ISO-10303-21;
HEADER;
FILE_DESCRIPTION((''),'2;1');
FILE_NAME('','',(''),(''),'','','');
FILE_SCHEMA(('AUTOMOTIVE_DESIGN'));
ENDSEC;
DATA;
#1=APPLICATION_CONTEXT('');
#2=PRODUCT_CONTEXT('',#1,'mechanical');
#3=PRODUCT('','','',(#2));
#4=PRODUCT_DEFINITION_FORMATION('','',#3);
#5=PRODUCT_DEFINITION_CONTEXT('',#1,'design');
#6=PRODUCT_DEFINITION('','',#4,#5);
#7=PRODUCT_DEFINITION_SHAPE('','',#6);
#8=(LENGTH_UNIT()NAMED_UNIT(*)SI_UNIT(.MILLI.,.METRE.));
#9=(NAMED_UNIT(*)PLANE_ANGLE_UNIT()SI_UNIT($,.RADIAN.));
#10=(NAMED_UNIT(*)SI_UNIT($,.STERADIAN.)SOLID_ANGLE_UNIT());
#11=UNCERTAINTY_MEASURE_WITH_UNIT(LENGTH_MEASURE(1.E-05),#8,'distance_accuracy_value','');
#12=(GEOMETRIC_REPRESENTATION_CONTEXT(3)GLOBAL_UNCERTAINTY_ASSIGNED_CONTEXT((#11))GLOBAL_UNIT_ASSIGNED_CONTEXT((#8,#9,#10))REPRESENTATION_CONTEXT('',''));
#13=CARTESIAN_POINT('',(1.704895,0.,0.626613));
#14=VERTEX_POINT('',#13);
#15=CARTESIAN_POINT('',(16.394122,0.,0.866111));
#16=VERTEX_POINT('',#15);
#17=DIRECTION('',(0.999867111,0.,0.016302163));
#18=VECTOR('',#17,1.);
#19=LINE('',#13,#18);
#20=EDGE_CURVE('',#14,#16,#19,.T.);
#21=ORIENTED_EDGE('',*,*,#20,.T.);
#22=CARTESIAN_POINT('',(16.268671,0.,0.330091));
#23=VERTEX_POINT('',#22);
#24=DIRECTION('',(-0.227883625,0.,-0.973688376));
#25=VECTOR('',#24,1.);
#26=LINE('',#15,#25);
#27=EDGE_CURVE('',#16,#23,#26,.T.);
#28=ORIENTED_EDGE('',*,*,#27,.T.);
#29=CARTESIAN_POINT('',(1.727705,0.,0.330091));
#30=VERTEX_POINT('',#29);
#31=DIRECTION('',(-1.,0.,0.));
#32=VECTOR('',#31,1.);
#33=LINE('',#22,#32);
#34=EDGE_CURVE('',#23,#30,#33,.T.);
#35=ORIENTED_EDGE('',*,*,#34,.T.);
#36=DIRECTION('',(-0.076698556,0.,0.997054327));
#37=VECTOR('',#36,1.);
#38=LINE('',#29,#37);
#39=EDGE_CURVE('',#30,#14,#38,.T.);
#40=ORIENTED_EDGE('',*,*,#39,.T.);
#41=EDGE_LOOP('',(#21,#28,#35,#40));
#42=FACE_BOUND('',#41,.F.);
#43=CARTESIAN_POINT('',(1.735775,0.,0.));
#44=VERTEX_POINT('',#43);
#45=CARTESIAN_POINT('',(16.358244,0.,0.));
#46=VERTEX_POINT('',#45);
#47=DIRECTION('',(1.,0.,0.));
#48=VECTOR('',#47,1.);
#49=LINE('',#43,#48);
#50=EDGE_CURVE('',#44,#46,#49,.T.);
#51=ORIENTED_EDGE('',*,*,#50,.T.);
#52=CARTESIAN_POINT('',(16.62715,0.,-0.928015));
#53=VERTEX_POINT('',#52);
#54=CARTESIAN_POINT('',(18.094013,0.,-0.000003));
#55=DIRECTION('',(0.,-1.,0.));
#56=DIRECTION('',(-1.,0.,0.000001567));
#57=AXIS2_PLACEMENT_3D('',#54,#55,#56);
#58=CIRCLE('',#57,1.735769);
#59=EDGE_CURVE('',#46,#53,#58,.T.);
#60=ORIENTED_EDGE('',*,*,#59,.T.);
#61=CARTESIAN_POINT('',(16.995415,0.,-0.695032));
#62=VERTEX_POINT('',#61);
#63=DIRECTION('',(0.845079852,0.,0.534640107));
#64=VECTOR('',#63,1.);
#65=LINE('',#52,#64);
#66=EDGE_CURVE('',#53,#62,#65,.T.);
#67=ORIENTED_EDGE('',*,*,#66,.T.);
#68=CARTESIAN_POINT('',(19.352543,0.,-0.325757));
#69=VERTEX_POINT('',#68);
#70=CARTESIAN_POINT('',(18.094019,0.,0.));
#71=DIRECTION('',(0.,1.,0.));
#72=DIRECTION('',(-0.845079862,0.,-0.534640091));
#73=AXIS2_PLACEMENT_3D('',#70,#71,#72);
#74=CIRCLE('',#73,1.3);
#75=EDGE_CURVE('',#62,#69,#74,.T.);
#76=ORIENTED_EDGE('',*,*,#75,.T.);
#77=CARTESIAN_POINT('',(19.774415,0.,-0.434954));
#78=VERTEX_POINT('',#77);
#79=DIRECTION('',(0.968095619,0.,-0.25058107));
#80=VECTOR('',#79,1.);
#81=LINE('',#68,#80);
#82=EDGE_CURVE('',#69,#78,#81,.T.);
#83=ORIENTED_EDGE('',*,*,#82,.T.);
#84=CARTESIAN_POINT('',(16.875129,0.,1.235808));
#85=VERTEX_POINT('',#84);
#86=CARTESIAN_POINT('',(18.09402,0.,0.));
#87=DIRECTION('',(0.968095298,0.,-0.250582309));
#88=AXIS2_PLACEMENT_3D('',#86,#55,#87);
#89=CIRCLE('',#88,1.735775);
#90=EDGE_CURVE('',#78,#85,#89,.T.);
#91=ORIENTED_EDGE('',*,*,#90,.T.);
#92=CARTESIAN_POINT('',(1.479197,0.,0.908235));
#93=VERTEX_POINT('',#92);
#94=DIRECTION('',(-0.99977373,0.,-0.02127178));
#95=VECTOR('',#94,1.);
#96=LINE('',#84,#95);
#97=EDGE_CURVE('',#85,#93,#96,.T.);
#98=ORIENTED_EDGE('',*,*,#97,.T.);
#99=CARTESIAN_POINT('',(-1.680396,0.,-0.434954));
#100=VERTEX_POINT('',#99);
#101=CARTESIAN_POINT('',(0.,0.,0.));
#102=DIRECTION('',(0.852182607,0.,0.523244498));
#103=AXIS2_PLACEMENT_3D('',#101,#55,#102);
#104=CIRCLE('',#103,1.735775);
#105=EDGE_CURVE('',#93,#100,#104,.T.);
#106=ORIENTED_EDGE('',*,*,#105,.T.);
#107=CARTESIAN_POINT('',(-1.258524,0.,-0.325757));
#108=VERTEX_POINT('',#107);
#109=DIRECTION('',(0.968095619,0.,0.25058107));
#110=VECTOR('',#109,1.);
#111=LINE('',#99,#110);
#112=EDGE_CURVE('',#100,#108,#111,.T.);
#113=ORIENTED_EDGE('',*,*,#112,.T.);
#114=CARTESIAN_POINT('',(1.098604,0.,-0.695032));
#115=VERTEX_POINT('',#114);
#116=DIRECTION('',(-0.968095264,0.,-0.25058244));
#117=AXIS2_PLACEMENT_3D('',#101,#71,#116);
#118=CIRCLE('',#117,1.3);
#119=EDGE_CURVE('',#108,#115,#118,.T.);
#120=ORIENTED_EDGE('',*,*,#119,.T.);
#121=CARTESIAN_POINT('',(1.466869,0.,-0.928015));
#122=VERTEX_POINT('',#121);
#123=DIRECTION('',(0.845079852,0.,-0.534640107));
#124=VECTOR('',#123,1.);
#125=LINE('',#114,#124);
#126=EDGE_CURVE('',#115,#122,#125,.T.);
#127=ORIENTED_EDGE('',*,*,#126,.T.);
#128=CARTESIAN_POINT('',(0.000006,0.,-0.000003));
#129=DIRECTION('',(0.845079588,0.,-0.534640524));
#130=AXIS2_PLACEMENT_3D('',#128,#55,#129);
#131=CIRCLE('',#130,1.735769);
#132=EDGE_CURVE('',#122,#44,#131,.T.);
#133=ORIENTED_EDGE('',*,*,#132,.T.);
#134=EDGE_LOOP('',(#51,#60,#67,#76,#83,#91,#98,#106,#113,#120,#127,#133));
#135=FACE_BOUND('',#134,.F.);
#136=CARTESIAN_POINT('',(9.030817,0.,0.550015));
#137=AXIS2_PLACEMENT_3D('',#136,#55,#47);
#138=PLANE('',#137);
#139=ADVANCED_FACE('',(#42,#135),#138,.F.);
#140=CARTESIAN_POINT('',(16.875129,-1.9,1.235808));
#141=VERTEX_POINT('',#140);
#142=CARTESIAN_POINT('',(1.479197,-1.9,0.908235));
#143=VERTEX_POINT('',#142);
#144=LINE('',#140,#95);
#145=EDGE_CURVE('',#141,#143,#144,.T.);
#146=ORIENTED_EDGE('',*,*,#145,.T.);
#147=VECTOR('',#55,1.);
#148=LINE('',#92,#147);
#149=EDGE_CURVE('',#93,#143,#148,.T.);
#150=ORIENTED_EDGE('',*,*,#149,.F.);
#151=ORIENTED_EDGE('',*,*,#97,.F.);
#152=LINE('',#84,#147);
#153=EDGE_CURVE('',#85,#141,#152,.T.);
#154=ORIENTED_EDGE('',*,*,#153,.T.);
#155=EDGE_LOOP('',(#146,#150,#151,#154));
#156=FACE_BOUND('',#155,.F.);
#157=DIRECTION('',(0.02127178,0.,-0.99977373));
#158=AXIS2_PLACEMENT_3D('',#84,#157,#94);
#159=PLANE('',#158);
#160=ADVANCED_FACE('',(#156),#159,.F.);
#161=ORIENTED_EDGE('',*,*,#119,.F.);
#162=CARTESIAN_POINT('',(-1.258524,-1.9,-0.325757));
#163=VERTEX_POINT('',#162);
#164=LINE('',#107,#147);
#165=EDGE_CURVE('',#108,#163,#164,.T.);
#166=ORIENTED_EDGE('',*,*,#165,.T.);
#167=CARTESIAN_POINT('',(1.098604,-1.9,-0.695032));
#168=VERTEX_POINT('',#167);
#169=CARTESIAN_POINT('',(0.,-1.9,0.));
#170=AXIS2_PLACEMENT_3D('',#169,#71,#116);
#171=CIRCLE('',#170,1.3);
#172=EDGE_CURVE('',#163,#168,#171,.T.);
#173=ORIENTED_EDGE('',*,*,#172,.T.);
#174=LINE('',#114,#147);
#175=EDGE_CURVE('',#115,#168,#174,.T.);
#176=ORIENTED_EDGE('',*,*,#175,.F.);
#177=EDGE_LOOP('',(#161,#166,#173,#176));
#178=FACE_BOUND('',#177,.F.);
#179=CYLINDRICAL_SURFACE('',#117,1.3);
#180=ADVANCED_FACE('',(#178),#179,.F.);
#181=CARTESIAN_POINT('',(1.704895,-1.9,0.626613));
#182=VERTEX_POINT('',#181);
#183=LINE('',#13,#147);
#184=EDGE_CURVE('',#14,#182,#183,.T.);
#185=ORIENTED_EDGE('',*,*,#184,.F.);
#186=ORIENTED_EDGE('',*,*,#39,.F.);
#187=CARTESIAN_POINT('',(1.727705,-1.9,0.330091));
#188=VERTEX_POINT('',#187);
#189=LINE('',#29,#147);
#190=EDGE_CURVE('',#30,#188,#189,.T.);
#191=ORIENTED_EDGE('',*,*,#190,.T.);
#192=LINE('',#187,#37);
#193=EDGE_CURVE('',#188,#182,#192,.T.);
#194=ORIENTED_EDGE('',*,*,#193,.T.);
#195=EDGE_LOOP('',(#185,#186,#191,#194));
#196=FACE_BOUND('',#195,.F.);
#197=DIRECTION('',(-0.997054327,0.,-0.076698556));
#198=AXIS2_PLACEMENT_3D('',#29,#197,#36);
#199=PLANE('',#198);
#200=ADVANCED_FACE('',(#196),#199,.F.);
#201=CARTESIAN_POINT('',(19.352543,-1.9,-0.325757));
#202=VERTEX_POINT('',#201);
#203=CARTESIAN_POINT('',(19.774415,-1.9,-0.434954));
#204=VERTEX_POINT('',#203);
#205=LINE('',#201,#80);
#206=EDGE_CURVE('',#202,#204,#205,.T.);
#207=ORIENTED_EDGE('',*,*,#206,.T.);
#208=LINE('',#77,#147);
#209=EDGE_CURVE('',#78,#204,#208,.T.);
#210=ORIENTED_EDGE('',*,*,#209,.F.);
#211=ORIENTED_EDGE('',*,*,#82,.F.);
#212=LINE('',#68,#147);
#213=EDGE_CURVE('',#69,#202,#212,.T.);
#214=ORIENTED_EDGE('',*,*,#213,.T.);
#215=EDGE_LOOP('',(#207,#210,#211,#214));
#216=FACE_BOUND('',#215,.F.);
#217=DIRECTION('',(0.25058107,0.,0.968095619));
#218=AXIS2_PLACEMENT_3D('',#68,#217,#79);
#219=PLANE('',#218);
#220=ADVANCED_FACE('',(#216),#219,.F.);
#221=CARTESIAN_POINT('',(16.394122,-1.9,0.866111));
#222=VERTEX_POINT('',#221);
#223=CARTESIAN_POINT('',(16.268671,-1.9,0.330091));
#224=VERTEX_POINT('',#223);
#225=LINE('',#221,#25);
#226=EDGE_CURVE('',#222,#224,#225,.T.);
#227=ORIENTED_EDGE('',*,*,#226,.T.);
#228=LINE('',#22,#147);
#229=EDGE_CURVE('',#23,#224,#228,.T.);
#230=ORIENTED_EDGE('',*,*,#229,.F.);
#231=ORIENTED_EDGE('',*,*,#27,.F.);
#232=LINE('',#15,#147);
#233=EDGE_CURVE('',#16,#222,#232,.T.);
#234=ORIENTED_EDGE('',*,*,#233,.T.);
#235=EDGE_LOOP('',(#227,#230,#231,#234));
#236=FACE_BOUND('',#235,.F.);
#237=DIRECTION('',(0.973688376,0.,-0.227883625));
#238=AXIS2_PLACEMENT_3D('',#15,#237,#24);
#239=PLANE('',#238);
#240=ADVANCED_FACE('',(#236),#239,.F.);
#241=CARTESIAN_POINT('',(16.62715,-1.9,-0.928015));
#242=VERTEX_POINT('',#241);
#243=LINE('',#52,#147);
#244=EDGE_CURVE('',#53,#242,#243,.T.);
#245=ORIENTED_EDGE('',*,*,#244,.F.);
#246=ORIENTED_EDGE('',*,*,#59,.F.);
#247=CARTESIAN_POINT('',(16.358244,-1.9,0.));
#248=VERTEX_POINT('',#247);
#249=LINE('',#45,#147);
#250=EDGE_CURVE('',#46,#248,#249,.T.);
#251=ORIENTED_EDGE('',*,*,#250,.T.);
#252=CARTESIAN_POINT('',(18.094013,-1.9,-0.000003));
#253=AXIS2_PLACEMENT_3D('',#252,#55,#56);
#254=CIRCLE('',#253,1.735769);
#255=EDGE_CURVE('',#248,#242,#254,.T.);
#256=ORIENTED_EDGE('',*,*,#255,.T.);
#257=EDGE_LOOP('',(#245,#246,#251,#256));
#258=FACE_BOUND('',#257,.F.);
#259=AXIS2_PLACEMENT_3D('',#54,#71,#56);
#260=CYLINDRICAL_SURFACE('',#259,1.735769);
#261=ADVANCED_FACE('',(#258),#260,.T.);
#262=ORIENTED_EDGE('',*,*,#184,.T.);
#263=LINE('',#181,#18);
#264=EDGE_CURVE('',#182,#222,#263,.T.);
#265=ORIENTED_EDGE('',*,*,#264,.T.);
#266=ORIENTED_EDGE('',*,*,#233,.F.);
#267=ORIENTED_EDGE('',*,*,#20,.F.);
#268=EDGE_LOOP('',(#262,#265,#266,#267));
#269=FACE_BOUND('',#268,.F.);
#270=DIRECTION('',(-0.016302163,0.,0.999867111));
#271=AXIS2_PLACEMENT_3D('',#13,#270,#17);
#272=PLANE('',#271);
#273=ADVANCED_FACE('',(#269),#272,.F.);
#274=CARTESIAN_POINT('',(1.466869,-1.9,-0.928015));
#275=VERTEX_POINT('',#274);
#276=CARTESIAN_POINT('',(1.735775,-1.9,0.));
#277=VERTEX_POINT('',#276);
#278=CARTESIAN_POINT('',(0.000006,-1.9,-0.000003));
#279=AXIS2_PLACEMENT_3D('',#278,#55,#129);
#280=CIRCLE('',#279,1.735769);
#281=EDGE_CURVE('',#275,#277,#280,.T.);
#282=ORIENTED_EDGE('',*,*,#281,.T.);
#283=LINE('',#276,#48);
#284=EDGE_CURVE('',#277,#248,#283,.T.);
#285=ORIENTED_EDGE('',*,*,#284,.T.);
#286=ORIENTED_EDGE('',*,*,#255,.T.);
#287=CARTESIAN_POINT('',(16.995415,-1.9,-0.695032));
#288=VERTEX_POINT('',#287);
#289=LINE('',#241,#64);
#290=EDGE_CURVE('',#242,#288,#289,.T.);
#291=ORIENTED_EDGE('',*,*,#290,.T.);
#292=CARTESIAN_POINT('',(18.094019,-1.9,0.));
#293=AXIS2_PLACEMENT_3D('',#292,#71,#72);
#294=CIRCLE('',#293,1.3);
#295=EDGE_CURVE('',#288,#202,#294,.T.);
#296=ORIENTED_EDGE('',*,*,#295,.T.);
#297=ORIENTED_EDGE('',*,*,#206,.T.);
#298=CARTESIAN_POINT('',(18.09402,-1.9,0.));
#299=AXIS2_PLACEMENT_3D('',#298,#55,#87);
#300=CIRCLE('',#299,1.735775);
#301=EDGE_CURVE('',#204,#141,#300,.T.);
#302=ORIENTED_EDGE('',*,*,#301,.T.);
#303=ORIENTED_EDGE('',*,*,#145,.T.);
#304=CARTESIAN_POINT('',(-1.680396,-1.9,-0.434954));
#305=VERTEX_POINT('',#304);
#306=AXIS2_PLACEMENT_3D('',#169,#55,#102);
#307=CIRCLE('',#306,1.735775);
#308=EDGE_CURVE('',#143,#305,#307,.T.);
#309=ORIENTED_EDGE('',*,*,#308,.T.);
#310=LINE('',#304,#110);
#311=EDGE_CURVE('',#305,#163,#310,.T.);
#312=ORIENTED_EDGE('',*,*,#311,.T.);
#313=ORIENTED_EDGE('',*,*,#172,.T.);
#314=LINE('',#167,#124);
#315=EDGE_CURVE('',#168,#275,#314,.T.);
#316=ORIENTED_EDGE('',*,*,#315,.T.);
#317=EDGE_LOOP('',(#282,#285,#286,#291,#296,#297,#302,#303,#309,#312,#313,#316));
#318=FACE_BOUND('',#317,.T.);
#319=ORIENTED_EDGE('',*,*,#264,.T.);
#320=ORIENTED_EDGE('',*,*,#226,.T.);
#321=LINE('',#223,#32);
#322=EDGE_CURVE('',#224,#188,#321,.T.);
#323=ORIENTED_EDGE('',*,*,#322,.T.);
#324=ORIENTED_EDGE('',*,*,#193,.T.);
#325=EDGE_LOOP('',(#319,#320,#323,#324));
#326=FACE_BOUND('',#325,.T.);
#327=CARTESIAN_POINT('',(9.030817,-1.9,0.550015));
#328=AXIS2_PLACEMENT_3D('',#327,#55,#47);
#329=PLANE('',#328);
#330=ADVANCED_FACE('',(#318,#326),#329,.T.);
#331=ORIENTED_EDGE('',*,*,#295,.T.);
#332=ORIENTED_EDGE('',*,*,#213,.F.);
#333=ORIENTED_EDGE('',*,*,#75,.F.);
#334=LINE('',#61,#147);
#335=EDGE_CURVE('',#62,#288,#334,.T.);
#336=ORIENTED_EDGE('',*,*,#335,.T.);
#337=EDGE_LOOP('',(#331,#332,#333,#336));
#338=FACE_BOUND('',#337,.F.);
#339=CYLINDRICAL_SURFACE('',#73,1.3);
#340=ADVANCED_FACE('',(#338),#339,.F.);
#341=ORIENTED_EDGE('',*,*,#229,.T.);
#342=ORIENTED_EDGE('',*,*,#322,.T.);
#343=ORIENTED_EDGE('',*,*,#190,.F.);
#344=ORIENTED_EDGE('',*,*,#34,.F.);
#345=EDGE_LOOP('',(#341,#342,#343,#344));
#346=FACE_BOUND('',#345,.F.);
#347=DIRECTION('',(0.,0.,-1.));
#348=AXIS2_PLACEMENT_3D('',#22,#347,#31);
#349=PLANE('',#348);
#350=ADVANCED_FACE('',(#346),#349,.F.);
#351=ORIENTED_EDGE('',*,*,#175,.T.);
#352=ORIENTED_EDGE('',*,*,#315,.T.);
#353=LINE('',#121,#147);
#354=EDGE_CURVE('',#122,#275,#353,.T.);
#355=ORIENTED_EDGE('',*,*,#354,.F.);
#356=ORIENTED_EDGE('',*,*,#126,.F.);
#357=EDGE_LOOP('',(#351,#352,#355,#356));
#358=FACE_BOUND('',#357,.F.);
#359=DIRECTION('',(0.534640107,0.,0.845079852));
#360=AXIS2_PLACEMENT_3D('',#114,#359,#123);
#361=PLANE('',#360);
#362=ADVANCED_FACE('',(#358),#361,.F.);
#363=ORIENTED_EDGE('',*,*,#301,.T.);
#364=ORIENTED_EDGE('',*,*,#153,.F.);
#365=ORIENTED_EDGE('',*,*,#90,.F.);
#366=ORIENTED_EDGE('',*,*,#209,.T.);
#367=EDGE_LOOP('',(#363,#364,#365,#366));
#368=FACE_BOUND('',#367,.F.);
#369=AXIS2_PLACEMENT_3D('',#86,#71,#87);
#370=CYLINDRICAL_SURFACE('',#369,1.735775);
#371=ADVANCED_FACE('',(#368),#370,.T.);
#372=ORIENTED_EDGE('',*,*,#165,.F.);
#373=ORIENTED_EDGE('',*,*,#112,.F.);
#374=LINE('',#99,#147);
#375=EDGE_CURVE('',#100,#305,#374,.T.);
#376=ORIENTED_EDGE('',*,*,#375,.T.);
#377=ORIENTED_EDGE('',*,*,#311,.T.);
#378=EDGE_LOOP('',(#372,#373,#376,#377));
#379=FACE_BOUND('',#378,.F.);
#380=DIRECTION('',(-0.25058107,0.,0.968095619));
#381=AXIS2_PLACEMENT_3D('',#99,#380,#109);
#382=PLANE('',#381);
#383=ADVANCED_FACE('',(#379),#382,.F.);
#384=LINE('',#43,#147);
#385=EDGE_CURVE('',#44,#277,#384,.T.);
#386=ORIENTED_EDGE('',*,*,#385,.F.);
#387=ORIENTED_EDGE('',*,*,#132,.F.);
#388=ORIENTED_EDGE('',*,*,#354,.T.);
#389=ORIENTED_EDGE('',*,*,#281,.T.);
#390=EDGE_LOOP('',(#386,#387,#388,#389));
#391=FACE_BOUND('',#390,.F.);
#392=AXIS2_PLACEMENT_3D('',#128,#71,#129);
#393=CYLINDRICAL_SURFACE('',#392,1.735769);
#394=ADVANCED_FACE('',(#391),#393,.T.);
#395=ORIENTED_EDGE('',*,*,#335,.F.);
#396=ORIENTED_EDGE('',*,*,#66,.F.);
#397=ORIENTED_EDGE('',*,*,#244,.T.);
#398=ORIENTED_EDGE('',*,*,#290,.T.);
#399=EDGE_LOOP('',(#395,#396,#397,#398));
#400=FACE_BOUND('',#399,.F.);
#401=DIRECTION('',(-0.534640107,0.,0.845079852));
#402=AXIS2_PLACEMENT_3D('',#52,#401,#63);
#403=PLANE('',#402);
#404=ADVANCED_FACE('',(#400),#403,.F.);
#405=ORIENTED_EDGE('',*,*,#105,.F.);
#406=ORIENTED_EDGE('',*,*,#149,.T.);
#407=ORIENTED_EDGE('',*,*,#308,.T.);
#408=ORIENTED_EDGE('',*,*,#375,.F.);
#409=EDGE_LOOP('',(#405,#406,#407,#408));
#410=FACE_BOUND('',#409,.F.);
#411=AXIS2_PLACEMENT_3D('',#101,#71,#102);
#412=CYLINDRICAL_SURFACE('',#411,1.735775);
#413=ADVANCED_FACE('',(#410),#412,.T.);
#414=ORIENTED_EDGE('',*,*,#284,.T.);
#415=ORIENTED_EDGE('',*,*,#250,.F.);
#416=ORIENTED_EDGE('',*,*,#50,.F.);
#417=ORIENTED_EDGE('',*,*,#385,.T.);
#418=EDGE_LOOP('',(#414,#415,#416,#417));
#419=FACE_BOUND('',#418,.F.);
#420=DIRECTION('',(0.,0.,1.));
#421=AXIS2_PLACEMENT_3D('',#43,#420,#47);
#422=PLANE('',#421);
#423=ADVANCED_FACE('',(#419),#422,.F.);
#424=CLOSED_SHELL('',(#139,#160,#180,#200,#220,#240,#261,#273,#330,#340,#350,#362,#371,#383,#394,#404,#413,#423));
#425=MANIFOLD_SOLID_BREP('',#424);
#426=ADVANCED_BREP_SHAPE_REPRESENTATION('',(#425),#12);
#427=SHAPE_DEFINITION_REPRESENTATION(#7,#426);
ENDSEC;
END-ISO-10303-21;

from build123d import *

# Parameters (mm, degrees)
F1_DEPTH = 1.9


with BuildPart() as f1:
    # F0 (on Front) → F1 (new body)
    with BuildSketch(Plane.XZ):
        with BuildLine():
            ThreePointArc((-1.258524, -0.325757), (0.201208, 1.284335), (1.098604, -0.695032))
            Line((1.098604, -0.695032), (1.466869, -0.928015))
            ThreePointArc((1.466869, -0.928015), (1.667194, -0.483095), (1.735775, 0))
            Line((1.735775, 0), (16.358244, 0))
            ThreePointArc((16.358244, 0), (16.426825, -0.483095), (16.62715, -0.928015))
            Line((16.62715, -0.928015), (16.995415, -0.695032))
            ThreePointArc((16.995415, -0.695032), (17.892811, 1.284335), (19.352543, -0.325757))
            Line((19.352543, -0.325757), (19.774415, -0.434954))
            ThreePointArc((19.774415, -0.434954), (18.960684, 1.503931), (16.875129, 1.235808))
            Line((16.875129, 1.235808), (1.479197, 0.908235))
            ThreePointArc((1.479197, 0.908235), (-0.679087, 1.597422), (-1.680396, -0.434954))
            Line((-1.680396, -0.434954), (-1.258524, -0.325757))
        make_face()
        Polygon((1.727705, 0.330091), (1.704895, 0.626613), (16.394122, 0.866111), (16.268671, 0.330091), align=None, mode=Mode.SUBTRACT)
    extrude(amount=F1_DEPTH)


solid = f1.part
